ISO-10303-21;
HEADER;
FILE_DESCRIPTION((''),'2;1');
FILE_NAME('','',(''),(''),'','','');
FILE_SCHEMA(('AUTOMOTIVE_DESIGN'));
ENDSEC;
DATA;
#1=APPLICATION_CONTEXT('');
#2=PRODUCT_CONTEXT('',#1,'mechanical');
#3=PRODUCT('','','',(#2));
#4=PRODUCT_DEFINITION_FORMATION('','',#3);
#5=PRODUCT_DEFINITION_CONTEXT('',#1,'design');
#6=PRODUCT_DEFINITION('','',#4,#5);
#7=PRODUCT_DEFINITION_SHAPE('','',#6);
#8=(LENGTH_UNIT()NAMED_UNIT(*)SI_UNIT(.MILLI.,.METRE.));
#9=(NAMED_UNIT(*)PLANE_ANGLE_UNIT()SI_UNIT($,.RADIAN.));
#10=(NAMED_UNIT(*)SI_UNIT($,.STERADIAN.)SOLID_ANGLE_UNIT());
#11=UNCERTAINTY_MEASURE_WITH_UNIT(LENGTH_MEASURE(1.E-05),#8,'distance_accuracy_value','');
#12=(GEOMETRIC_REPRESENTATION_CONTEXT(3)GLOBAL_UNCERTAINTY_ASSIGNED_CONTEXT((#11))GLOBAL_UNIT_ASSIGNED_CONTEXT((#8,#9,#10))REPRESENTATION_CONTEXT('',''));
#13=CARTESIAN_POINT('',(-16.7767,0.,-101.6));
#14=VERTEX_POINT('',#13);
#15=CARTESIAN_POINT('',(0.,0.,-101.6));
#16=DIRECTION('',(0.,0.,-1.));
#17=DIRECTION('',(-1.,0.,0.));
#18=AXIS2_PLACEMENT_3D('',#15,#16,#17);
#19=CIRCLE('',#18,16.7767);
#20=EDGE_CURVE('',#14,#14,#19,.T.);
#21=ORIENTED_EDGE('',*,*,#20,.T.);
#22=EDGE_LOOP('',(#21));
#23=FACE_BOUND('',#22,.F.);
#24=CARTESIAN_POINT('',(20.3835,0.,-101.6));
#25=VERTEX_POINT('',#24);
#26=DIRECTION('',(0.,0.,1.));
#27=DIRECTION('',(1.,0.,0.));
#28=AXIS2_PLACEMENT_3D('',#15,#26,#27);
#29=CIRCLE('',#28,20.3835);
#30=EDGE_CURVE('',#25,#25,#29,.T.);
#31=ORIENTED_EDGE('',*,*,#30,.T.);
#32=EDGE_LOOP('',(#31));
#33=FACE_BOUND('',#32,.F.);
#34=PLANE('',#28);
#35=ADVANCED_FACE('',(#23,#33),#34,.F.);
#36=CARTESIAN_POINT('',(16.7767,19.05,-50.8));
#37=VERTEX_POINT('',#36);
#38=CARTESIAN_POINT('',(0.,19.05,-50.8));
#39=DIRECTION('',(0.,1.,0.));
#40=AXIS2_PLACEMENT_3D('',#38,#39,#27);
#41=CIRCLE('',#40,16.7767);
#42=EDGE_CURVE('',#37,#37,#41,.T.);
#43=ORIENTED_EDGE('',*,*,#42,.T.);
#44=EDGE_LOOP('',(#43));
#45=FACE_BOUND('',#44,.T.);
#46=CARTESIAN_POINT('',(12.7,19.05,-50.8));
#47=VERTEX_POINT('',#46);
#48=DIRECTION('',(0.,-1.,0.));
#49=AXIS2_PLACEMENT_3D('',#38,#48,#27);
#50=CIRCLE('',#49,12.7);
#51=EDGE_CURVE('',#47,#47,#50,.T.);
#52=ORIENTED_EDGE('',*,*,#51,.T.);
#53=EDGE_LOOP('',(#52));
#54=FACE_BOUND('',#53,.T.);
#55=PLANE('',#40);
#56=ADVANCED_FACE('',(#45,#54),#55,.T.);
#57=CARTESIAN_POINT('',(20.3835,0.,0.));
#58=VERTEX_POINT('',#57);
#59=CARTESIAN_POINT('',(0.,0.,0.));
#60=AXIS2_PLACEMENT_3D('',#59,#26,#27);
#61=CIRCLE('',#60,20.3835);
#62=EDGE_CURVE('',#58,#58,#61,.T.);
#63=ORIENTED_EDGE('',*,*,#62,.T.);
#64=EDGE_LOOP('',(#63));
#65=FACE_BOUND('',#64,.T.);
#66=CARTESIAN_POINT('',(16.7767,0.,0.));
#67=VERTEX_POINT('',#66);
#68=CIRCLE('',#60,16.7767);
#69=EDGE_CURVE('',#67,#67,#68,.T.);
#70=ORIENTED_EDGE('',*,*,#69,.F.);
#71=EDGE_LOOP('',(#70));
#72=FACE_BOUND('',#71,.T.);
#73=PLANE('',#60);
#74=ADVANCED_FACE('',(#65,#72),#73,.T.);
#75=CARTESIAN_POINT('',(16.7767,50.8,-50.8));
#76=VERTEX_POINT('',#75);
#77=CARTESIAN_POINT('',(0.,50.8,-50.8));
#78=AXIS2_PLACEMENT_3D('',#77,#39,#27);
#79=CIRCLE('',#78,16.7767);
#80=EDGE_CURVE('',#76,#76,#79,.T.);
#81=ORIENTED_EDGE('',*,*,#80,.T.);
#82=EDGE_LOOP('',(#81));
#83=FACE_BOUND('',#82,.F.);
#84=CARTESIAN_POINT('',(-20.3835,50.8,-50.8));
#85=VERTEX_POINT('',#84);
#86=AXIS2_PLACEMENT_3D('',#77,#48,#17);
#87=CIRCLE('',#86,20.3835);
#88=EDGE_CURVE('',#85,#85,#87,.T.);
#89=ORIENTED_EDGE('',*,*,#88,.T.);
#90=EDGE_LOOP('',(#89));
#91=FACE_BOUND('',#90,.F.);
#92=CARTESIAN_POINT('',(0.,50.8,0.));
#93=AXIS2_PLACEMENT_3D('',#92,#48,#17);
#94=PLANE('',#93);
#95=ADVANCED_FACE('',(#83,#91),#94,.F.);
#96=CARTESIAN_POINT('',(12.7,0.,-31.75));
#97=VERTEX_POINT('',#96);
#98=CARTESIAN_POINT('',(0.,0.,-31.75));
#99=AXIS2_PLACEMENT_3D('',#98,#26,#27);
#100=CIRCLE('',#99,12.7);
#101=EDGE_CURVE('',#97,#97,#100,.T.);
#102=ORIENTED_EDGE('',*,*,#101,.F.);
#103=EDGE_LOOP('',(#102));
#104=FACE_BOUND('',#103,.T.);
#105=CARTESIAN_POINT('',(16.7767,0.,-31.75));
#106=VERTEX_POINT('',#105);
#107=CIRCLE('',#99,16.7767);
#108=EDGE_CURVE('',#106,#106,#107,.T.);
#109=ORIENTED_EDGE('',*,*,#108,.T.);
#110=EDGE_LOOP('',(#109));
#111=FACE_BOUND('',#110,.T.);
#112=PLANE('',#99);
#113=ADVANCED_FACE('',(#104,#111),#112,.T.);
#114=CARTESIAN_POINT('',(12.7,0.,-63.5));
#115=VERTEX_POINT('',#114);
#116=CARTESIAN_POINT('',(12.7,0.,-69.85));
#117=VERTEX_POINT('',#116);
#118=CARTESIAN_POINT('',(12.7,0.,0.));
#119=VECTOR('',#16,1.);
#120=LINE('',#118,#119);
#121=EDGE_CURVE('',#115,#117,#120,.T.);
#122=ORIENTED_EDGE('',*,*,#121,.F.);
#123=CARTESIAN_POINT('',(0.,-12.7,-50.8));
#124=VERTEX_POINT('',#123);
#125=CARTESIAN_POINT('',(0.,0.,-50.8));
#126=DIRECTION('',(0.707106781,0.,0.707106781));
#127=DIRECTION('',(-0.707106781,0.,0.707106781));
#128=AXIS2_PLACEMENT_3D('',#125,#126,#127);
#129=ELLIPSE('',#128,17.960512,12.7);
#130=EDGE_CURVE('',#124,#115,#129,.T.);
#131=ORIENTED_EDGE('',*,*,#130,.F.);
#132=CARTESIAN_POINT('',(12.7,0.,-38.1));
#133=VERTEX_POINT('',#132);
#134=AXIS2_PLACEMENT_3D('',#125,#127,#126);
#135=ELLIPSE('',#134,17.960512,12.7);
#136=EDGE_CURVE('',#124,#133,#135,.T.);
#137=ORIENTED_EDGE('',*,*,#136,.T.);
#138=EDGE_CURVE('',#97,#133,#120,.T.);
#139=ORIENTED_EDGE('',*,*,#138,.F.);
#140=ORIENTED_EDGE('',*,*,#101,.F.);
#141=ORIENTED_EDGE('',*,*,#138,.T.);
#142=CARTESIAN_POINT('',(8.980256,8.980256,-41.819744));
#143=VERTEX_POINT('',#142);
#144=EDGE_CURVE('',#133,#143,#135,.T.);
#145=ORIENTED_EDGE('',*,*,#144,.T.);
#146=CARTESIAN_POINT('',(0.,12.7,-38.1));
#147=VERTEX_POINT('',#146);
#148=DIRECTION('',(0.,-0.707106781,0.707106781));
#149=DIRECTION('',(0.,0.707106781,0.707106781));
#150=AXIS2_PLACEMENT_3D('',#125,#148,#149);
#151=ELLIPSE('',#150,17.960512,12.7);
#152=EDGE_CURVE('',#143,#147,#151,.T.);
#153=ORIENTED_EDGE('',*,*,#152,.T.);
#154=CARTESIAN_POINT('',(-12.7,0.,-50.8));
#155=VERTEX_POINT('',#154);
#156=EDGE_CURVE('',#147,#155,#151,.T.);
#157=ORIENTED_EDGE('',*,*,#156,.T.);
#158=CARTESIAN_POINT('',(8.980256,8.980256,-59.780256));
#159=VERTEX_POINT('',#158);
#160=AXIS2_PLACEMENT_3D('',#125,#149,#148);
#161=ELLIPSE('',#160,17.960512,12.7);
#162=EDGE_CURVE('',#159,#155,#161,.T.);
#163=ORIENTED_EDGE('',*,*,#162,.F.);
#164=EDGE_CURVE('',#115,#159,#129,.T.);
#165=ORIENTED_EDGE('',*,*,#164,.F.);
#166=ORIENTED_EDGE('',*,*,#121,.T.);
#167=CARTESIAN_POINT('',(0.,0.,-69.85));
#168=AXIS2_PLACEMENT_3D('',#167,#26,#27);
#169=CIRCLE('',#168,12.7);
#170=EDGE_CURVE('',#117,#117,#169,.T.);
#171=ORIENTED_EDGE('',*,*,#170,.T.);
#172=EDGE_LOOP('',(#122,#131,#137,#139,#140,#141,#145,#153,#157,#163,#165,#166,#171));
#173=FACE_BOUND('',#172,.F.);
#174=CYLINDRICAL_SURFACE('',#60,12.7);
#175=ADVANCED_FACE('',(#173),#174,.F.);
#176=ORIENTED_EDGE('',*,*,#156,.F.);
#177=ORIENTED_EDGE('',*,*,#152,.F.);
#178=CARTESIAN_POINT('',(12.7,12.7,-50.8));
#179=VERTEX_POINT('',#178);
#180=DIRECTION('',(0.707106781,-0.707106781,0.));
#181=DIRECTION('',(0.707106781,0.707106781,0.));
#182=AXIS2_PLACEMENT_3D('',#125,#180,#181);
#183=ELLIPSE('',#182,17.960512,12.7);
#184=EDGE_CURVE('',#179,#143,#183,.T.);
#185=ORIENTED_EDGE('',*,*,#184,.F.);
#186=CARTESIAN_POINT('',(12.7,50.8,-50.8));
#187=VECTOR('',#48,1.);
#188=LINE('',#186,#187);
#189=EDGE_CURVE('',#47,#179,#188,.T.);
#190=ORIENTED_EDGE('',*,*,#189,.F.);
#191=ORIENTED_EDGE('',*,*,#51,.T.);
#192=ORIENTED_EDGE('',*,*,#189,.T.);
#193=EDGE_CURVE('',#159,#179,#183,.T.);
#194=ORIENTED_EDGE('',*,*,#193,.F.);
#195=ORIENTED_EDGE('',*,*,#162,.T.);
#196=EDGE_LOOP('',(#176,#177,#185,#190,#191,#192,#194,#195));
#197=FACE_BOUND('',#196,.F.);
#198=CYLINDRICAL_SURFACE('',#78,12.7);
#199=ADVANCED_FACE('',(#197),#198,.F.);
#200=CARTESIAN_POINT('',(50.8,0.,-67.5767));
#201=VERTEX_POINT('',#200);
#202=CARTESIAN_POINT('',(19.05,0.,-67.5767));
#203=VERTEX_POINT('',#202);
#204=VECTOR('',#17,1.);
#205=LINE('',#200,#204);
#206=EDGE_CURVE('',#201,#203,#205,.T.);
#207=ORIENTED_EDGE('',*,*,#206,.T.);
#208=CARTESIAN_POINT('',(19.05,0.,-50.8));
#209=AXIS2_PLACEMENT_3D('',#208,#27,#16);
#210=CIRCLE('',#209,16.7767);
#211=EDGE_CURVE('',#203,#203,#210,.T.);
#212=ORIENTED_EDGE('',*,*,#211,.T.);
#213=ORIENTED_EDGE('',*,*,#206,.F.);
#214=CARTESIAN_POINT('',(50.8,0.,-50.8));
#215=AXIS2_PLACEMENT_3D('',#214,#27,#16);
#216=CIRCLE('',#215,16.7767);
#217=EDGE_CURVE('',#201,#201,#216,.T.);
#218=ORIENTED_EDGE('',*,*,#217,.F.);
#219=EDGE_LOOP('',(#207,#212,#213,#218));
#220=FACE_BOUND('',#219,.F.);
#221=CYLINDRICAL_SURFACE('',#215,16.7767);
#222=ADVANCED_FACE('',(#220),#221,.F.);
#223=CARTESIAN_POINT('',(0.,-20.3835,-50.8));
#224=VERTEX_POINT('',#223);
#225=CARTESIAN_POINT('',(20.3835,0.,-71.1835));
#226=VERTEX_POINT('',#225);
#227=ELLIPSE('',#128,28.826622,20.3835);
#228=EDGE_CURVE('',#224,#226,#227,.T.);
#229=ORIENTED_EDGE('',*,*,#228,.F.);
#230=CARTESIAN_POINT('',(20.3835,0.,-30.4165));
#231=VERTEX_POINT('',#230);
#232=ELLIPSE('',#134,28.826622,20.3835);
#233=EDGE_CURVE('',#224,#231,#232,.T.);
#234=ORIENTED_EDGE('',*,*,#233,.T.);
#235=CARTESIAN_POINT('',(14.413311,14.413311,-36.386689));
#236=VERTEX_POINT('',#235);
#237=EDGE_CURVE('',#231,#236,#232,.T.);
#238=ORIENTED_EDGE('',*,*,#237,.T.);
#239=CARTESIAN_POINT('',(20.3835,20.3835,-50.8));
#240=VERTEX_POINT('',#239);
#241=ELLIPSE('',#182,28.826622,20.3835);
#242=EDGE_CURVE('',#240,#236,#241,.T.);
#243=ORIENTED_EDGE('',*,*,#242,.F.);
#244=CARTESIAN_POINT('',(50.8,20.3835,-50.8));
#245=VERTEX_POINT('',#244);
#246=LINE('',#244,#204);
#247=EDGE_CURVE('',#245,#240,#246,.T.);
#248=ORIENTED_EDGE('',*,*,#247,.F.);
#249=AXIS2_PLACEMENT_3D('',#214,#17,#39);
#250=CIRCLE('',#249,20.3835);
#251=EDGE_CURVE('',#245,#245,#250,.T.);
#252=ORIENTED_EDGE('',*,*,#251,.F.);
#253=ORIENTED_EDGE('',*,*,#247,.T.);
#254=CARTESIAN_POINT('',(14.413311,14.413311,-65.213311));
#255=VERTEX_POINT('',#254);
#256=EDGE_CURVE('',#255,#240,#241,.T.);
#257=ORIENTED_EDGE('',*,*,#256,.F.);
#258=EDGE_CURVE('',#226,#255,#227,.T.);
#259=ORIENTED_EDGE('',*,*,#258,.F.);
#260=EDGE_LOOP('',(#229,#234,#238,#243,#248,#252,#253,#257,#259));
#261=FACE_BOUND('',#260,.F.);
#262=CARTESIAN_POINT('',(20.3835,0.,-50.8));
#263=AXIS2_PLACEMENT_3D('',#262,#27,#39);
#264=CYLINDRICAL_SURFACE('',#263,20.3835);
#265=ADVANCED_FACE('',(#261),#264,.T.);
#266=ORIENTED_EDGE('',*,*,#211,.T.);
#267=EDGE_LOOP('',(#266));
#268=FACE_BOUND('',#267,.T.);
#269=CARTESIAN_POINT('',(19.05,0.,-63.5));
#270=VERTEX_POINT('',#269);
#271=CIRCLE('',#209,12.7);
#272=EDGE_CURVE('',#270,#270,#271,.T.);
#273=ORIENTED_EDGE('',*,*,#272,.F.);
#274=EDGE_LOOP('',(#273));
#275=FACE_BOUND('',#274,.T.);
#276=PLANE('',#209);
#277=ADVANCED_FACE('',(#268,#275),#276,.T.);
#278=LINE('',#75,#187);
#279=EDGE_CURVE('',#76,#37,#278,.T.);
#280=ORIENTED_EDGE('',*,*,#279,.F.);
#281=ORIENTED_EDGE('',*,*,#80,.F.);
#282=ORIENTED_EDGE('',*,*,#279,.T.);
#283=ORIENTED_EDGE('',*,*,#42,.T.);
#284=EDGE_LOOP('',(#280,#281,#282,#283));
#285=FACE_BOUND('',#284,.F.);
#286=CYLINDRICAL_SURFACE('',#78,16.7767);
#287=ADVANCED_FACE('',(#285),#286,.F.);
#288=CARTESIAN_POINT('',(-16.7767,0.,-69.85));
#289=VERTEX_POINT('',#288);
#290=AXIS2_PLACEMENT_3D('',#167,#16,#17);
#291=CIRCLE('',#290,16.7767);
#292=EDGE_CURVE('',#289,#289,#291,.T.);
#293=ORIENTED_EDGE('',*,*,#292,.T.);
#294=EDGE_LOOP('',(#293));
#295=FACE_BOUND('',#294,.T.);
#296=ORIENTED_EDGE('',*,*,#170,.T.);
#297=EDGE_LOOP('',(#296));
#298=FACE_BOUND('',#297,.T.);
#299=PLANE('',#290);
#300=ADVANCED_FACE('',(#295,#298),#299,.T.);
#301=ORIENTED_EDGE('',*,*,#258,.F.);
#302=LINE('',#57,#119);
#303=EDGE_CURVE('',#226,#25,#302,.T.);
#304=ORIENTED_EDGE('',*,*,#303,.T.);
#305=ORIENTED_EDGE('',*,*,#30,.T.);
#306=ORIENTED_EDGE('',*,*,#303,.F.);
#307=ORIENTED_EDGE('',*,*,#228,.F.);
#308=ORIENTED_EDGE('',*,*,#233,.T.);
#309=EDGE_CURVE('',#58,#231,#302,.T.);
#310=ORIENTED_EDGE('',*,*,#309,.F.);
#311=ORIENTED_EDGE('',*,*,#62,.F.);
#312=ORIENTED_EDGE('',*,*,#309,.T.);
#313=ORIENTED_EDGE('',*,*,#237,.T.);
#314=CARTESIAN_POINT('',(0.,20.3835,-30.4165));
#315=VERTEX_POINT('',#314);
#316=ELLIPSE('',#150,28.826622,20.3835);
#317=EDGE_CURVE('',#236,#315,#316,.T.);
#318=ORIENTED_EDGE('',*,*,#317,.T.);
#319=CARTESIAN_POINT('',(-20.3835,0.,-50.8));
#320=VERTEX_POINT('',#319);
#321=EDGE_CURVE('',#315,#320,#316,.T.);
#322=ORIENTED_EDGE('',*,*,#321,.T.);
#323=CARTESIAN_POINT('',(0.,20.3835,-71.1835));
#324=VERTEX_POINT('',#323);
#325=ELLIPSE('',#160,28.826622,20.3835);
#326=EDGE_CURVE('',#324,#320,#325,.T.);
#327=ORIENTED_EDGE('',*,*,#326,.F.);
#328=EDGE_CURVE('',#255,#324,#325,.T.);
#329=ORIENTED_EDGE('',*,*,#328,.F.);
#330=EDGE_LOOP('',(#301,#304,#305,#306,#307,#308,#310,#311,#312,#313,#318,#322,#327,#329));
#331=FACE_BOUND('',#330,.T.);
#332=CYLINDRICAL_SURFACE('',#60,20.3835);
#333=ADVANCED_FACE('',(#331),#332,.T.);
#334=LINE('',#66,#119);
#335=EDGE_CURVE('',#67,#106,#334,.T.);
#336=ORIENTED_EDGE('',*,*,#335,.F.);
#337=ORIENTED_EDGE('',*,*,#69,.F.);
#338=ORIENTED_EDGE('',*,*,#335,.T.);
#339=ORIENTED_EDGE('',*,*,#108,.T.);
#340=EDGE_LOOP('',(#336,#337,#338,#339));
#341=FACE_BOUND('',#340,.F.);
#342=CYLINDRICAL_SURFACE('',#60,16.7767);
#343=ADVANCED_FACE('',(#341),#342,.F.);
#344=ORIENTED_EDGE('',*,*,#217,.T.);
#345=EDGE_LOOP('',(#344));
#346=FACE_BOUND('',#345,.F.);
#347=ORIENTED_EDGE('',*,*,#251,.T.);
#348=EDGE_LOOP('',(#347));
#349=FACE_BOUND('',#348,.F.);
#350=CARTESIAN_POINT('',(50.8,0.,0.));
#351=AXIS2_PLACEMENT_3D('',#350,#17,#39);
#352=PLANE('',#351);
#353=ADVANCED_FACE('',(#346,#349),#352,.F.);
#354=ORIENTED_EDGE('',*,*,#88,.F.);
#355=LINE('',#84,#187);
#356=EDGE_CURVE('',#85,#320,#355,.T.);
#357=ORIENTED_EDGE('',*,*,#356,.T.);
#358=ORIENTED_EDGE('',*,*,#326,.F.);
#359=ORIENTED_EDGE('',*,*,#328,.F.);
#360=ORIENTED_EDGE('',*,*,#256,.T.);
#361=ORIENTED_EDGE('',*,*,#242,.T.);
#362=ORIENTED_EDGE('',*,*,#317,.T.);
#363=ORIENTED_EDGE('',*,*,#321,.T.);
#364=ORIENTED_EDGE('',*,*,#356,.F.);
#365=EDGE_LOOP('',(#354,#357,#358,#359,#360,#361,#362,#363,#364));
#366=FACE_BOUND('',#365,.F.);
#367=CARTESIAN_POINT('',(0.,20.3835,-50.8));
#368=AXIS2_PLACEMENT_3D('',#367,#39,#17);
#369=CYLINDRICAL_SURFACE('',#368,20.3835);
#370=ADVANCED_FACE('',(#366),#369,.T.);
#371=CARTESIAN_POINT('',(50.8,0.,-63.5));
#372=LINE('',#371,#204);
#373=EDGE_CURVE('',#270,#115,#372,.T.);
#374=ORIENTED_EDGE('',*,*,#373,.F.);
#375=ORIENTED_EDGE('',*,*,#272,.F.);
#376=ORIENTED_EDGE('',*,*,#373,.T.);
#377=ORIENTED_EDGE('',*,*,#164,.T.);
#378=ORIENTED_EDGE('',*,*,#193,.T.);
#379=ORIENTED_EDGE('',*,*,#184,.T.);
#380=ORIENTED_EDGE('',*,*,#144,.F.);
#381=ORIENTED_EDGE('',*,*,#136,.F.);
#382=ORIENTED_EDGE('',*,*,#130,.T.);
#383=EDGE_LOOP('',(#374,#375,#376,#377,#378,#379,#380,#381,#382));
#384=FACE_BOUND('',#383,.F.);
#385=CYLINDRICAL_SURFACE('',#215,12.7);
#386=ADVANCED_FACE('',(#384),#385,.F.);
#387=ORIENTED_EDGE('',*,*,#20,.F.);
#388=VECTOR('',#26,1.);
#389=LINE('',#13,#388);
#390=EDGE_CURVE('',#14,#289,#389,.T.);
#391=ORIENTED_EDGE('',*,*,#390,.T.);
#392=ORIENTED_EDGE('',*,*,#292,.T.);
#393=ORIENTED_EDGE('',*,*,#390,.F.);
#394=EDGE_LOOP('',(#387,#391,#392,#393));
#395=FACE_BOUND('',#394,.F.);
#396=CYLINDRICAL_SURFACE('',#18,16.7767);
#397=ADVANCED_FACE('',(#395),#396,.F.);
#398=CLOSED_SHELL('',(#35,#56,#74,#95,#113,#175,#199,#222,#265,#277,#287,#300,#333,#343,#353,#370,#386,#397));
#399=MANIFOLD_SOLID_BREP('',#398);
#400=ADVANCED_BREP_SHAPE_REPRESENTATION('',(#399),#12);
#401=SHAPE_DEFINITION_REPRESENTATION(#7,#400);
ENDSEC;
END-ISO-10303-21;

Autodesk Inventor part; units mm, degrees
ref_plane "YZ Plane" through (0, 0, 0) normal (1, 0, 0) x (0, 1, 0)
sketch "Sketch1" plane through (0, 0, 0) normal (0, 0, 1) x (1, 0, 0)
  circle A0 centre (0, 0) radius 20.3835
  dimension "d0" = 40.767
extrude "Extrusion1" add sketch "Sketch1" against normal blind 101.6
sketch "Sketch11" plane through (0, 0, -101.6) normal (0, 0, -1) x (-1, 0, 0)
  circle A0 centre (0, 0) radius 20.3835 projected
  line L0 (0, 20.3835) -> (-10.8843, 20.3835)
sketch "Sketch10" plane through (0, 0, 0) normal (0, 0, 1) x (1, 0, 0)
  circle A0 centre (0, 0) radius 20.3835 projected
  line L0 (0, 20.3835) -> (-22.4405, 20.3835)
sketch "Sketch2" plane through (0, 0, 0) normal (0, 0, 1) x (1, 0, 0)
  circle A0 centre (0, 0) radius 20.3835 projected
  line L0 (20.3835, 0) -> (20.3835, 20.3835)
sketch "Sketch3" plane through (0, 0, -101.6) normal (0, 0, -1) x (-1, 0, 0)
  circle A0 centre (0, 0) radius 20.3835 projected
  line L0 (-20.3835, 0) -> (-20.3835, 20.3835)
ref_plane "Work Plane1" through (20.3835, 0, 0) normal (-1, 0, 0) x (0, 1, 0)
ref_plane "Work Plane2" through (0, 20.3835, 0) normal (0, -1, 0) x (-1, 0, 0)
sketch "Sketch4" plane through (20.3835, 0, 0) normal (-1, 0, 0) x (0, 1, 0)
  line L0 (20.3835, 101.6) -> (-20.3835, 101.6) projected
  circle A0 centre (0, 50.8) radius 20.3835
  line L1 (-20.3835, 0) -> (-20.3835, 101.6) projected
  point P0 (0, 0)
extrude "Extrusion2" add sketch "Sketch4" against normal blind 30.4165
extrude "Extrusion3" add sketch "Sketch4" along normal blind 20.3835
sketch "Sketch12" plane through (0, 20.3835, 0) normal (0, -1, 0) x (-1, 0, 0)
  line L0 (-20.3835, 30.4165) -> (0, 50.8) projected
  circle A0 centre (0, 50.8) radius 20.3835
  point P0 (0, 0)
extrude "Extrusion9" add sketch "Sketch12" against normal blind 30.4165
extrude "Extrusion10" add sketch "Sketch12" along normal blind 20.3835
sketch "Sketch5" plane through (0, 0, 0) normal (0, 0, 1) x (1, 0, 0)
  circle A0 centre (0, 0) radius 16.7767
  dimension "d7" = 33.5534
sketch "Sketch6" plane through (0, 0, 0) normal (0, 0, 1) x (1, 0, 0)
  circle A0 centre (0, 0) radius 12.7
  dimension "d8" = 25.4
sketch "Sketch7" plane through (50.8, 0, -50.8) normal (1, 0, 0) x (0, 0, -1)
  circle A0 centre (0, 0) radius 16.7767
  point P0 (-50.8, 0)
  dimension "d9" = 33.5534
sketch "Sketch8" plane through (50.8, 0, -50.8) normal (1, 0, 0) x (0, 0, -1)
  circle A0 centre (0, 0) radius 12.7
  point P0 (-50.8, 0)
  dimension "d10" = 25.4
sketch "Sketch9" plane through (0, 0, -101.6) normal (0, 0, -1) x (-1, 0, 0)
  circle A0 centre (0, 0) radius 16.7767
  dimension "d11" = 33.5534
extrude "Extrusion4" cut sketch "Sketch9" against normal blind 31.75
extrude "Extrusion5" cut sketch "Sketch7" against normal blind 31.75
extrude "Extrusion6" cut sketch "Sketch5" against normal blind 31.75
extrude "Extrusion7" cut sketch "Sketch6" against normal blind 101.6
extrude "Extrusion8" cut sketch "Sketch8" against normal blind 50.8
sketch "Sketch13" plane through (0, 50.8, -50.8) normal (0, 1, 0) x (1, 0, 0)
  circle A0 centre (0, 0) radius 16.7767
  point P0 (0, -50.8)
  dimension "d26" = 33.5534
extrude "Extrusion11" cut sketch "Sketch13" against normal blind 31.75
sketch "Sketch14" plane through (0, 50.8, -50.8) normal (0, 1, 0) x (1, 0, 0)
  line L0 (0, 0) -> (20.3835, -20.3835) projected
  circle A0 centre (0, 0) radius 12.7
  point P0 (0, -50.8)
  point P1 (14.4133, -14.4133)
  dimension "d29" = 25.4
extrude "Extrusion12" cut sketch "Sketch14" against normal blind 50.8
properties part number "4-way Tee 1 Inch"
